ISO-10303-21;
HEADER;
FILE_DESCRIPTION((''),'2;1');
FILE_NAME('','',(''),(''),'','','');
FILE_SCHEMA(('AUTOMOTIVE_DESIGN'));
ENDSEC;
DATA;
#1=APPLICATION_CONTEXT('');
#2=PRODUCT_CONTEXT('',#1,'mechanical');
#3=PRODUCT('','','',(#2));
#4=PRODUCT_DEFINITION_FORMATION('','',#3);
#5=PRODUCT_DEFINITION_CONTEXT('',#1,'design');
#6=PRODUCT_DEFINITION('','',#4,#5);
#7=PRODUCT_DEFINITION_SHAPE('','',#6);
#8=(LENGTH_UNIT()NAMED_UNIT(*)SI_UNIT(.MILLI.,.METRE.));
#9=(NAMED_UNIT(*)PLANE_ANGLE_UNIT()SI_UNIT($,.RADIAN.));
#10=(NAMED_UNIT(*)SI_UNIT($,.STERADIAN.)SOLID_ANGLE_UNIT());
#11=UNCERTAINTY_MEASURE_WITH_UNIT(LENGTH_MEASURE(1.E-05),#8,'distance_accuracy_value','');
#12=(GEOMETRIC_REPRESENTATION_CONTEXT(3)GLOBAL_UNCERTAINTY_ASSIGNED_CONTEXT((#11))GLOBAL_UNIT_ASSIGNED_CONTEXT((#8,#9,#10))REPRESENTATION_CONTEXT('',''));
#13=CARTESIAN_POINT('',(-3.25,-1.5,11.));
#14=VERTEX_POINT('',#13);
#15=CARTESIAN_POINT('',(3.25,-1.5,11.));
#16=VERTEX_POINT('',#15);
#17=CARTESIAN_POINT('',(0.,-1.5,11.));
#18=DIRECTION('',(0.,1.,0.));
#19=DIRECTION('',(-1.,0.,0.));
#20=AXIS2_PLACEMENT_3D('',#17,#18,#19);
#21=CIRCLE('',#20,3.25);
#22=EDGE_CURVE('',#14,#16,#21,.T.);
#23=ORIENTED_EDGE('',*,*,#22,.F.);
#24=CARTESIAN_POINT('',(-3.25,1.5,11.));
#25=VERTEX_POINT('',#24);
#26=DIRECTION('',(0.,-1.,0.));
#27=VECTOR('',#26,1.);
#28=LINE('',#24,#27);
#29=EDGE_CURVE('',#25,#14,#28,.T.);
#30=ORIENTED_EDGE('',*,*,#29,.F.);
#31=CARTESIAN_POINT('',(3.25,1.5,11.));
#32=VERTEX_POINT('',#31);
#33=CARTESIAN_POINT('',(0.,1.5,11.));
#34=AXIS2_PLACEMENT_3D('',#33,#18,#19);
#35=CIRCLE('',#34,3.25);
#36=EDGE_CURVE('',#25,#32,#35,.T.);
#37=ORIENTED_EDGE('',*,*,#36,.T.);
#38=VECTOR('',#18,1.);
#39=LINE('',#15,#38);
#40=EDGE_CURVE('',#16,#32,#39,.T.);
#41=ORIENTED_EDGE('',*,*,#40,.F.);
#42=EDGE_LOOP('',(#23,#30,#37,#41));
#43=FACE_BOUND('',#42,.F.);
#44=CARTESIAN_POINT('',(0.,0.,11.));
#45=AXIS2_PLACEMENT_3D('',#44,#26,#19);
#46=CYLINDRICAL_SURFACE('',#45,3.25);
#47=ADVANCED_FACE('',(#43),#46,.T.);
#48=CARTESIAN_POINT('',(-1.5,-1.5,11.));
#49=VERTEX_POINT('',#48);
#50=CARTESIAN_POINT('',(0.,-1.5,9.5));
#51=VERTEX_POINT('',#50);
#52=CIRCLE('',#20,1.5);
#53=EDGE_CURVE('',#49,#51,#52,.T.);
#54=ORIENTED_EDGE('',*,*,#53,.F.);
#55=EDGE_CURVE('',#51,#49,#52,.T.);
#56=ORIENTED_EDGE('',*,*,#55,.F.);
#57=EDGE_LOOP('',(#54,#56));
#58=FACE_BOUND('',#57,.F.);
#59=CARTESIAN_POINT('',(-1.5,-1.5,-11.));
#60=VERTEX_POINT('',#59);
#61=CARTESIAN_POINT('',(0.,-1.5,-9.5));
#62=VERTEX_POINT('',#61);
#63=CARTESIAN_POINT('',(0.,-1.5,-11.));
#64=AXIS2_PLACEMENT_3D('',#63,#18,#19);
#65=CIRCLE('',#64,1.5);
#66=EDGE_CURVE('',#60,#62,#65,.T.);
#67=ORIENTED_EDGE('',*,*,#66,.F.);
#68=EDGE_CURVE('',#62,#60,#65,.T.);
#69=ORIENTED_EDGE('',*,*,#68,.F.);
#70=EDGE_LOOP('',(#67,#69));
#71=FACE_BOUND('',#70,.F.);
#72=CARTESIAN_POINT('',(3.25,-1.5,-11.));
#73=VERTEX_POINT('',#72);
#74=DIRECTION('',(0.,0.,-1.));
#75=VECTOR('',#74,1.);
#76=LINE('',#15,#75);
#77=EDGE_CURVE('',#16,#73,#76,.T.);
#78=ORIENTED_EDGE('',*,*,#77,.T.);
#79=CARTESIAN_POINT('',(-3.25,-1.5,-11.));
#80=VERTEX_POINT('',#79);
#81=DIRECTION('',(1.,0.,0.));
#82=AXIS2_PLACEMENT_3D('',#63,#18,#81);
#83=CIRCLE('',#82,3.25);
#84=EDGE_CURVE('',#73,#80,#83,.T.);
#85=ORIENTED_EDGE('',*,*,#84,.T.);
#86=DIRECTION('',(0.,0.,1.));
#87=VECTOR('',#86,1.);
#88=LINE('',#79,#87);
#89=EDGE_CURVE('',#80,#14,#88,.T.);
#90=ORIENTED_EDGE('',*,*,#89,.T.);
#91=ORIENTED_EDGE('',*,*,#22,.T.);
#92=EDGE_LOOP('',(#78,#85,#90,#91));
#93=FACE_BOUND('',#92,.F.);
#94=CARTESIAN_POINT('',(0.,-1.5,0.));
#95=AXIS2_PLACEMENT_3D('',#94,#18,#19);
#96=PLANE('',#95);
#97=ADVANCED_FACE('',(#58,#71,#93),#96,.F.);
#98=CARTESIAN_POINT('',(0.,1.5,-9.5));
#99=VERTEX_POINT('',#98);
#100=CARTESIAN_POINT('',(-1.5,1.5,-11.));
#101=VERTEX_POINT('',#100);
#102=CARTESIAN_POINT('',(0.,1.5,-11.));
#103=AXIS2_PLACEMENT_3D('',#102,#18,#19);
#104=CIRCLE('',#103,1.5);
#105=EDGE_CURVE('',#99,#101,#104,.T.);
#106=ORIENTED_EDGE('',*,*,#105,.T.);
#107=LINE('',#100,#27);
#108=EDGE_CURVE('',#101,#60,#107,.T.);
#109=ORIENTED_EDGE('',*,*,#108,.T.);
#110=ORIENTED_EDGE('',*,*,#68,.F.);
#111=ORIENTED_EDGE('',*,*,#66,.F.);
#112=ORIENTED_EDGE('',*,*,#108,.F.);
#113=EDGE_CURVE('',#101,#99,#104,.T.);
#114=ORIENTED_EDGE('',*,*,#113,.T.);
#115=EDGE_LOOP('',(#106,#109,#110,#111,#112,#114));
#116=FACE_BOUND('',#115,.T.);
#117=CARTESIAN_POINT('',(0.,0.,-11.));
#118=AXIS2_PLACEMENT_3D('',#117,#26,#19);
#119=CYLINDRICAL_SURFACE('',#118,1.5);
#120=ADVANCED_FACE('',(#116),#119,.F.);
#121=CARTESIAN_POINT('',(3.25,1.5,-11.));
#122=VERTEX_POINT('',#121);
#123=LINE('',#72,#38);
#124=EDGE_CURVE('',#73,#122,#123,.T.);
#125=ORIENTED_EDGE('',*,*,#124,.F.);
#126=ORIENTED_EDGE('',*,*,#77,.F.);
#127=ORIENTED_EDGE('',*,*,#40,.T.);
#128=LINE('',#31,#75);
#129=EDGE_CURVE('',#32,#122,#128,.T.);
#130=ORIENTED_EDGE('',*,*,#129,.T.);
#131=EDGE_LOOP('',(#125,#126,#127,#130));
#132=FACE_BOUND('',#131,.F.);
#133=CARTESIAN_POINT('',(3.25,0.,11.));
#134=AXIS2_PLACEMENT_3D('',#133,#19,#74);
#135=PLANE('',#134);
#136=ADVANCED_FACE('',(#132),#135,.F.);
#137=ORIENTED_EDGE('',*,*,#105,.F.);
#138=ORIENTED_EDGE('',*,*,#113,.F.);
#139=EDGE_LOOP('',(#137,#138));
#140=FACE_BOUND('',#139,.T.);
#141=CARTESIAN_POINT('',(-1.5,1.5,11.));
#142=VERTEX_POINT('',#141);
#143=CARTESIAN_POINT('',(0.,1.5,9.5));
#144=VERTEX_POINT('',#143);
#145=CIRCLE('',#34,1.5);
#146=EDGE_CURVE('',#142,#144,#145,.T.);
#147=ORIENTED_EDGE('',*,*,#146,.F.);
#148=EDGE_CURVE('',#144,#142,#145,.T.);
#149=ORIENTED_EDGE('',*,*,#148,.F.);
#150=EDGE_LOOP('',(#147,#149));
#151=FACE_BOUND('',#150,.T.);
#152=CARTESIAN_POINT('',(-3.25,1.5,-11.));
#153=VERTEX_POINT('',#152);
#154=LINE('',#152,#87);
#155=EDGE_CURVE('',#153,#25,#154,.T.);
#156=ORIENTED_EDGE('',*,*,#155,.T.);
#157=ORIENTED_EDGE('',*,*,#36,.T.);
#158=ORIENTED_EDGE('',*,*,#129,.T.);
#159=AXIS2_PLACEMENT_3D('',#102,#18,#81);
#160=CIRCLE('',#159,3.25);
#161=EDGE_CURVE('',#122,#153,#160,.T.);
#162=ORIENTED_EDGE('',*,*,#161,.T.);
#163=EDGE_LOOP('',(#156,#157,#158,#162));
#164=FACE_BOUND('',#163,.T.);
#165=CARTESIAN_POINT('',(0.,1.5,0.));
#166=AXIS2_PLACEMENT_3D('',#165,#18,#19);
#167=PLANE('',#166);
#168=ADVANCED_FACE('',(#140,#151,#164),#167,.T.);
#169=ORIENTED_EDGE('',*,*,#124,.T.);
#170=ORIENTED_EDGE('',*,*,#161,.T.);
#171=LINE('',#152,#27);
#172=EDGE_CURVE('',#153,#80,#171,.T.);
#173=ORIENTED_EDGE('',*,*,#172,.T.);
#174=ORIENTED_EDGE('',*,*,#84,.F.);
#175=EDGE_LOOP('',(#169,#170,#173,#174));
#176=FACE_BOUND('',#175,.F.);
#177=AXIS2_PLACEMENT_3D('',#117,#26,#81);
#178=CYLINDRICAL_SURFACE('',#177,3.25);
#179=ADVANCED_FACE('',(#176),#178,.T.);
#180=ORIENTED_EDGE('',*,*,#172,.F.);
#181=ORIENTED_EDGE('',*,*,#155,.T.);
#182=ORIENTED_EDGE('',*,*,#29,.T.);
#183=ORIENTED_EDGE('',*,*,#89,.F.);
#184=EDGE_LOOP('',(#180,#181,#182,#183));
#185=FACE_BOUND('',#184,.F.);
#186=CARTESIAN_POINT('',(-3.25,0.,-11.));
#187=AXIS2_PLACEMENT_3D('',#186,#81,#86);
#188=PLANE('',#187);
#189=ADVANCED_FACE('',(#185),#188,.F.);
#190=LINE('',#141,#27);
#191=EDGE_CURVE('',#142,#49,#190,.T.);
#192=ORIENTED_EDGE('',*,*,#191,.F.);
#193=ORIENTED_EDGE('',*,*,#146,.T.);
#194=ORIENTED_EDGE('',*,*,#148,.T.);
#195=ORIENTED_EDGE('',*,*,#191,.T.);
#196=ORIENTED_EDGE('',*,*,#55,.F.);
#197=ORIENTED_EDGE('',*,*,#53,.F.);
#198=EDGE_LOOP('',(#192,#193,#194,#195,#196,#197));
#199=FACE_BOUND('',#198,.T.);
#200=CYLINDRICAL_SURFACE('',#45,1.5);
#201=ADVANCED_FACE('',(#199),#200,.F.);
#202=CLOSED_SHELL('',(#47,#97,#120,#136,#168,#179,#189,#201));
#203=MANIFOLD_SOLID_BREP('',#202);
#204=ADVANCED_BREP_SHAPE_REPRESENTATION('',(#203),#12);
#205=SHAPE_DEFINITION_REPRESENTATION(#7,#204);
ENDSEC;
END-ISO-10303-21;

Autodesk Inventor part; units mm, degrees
ref_plane "YZ Plane" through (0, 0, 0) normal (1, 0, 0) x (0, 1, 0)
ref_plane "XZ Plane" through (0, 0, 0) normal (0, 1, 0) x (-1, 0, 0)
ref_plane "XY Plane" through (0, 0, 0) normal (0, 0, 1) x (1, 0, 0)
sketch "草圖1" plane through (0, 0, 0) normal (0, 1, 0) x (-1, 0, 0)
  line L0 (0, 0) -> (0, -11)
  line L1 (0, 0) -> (0, 11)
  line L2 (0, 11) -> (0, -11) construction
  line L3 (-3.25, 11) -> (-3.25, -11)
  line L4 (3.25, -11) -> (3.25, 11)
  arc A0 (3.25, 11) -> (-3.25, 11) centre (0, 11) ccw
  arc A1 (-3.25, -11) -> (3.25, -11) centre (0, -11) ccw
  circle A2 centre (0, 11) radius 1.5
  circle A3 centre (0, -11) radius 1.5
  dimension "d7" = 11
  dimension "d8" = 11
  dimension "d9" = 3.25
  dimension "d10" = 3
  dimension "d11" = 3
extrude "擠出1" add sketch "草圖1" along normal mid plane 3
properties part number "小零件2"
